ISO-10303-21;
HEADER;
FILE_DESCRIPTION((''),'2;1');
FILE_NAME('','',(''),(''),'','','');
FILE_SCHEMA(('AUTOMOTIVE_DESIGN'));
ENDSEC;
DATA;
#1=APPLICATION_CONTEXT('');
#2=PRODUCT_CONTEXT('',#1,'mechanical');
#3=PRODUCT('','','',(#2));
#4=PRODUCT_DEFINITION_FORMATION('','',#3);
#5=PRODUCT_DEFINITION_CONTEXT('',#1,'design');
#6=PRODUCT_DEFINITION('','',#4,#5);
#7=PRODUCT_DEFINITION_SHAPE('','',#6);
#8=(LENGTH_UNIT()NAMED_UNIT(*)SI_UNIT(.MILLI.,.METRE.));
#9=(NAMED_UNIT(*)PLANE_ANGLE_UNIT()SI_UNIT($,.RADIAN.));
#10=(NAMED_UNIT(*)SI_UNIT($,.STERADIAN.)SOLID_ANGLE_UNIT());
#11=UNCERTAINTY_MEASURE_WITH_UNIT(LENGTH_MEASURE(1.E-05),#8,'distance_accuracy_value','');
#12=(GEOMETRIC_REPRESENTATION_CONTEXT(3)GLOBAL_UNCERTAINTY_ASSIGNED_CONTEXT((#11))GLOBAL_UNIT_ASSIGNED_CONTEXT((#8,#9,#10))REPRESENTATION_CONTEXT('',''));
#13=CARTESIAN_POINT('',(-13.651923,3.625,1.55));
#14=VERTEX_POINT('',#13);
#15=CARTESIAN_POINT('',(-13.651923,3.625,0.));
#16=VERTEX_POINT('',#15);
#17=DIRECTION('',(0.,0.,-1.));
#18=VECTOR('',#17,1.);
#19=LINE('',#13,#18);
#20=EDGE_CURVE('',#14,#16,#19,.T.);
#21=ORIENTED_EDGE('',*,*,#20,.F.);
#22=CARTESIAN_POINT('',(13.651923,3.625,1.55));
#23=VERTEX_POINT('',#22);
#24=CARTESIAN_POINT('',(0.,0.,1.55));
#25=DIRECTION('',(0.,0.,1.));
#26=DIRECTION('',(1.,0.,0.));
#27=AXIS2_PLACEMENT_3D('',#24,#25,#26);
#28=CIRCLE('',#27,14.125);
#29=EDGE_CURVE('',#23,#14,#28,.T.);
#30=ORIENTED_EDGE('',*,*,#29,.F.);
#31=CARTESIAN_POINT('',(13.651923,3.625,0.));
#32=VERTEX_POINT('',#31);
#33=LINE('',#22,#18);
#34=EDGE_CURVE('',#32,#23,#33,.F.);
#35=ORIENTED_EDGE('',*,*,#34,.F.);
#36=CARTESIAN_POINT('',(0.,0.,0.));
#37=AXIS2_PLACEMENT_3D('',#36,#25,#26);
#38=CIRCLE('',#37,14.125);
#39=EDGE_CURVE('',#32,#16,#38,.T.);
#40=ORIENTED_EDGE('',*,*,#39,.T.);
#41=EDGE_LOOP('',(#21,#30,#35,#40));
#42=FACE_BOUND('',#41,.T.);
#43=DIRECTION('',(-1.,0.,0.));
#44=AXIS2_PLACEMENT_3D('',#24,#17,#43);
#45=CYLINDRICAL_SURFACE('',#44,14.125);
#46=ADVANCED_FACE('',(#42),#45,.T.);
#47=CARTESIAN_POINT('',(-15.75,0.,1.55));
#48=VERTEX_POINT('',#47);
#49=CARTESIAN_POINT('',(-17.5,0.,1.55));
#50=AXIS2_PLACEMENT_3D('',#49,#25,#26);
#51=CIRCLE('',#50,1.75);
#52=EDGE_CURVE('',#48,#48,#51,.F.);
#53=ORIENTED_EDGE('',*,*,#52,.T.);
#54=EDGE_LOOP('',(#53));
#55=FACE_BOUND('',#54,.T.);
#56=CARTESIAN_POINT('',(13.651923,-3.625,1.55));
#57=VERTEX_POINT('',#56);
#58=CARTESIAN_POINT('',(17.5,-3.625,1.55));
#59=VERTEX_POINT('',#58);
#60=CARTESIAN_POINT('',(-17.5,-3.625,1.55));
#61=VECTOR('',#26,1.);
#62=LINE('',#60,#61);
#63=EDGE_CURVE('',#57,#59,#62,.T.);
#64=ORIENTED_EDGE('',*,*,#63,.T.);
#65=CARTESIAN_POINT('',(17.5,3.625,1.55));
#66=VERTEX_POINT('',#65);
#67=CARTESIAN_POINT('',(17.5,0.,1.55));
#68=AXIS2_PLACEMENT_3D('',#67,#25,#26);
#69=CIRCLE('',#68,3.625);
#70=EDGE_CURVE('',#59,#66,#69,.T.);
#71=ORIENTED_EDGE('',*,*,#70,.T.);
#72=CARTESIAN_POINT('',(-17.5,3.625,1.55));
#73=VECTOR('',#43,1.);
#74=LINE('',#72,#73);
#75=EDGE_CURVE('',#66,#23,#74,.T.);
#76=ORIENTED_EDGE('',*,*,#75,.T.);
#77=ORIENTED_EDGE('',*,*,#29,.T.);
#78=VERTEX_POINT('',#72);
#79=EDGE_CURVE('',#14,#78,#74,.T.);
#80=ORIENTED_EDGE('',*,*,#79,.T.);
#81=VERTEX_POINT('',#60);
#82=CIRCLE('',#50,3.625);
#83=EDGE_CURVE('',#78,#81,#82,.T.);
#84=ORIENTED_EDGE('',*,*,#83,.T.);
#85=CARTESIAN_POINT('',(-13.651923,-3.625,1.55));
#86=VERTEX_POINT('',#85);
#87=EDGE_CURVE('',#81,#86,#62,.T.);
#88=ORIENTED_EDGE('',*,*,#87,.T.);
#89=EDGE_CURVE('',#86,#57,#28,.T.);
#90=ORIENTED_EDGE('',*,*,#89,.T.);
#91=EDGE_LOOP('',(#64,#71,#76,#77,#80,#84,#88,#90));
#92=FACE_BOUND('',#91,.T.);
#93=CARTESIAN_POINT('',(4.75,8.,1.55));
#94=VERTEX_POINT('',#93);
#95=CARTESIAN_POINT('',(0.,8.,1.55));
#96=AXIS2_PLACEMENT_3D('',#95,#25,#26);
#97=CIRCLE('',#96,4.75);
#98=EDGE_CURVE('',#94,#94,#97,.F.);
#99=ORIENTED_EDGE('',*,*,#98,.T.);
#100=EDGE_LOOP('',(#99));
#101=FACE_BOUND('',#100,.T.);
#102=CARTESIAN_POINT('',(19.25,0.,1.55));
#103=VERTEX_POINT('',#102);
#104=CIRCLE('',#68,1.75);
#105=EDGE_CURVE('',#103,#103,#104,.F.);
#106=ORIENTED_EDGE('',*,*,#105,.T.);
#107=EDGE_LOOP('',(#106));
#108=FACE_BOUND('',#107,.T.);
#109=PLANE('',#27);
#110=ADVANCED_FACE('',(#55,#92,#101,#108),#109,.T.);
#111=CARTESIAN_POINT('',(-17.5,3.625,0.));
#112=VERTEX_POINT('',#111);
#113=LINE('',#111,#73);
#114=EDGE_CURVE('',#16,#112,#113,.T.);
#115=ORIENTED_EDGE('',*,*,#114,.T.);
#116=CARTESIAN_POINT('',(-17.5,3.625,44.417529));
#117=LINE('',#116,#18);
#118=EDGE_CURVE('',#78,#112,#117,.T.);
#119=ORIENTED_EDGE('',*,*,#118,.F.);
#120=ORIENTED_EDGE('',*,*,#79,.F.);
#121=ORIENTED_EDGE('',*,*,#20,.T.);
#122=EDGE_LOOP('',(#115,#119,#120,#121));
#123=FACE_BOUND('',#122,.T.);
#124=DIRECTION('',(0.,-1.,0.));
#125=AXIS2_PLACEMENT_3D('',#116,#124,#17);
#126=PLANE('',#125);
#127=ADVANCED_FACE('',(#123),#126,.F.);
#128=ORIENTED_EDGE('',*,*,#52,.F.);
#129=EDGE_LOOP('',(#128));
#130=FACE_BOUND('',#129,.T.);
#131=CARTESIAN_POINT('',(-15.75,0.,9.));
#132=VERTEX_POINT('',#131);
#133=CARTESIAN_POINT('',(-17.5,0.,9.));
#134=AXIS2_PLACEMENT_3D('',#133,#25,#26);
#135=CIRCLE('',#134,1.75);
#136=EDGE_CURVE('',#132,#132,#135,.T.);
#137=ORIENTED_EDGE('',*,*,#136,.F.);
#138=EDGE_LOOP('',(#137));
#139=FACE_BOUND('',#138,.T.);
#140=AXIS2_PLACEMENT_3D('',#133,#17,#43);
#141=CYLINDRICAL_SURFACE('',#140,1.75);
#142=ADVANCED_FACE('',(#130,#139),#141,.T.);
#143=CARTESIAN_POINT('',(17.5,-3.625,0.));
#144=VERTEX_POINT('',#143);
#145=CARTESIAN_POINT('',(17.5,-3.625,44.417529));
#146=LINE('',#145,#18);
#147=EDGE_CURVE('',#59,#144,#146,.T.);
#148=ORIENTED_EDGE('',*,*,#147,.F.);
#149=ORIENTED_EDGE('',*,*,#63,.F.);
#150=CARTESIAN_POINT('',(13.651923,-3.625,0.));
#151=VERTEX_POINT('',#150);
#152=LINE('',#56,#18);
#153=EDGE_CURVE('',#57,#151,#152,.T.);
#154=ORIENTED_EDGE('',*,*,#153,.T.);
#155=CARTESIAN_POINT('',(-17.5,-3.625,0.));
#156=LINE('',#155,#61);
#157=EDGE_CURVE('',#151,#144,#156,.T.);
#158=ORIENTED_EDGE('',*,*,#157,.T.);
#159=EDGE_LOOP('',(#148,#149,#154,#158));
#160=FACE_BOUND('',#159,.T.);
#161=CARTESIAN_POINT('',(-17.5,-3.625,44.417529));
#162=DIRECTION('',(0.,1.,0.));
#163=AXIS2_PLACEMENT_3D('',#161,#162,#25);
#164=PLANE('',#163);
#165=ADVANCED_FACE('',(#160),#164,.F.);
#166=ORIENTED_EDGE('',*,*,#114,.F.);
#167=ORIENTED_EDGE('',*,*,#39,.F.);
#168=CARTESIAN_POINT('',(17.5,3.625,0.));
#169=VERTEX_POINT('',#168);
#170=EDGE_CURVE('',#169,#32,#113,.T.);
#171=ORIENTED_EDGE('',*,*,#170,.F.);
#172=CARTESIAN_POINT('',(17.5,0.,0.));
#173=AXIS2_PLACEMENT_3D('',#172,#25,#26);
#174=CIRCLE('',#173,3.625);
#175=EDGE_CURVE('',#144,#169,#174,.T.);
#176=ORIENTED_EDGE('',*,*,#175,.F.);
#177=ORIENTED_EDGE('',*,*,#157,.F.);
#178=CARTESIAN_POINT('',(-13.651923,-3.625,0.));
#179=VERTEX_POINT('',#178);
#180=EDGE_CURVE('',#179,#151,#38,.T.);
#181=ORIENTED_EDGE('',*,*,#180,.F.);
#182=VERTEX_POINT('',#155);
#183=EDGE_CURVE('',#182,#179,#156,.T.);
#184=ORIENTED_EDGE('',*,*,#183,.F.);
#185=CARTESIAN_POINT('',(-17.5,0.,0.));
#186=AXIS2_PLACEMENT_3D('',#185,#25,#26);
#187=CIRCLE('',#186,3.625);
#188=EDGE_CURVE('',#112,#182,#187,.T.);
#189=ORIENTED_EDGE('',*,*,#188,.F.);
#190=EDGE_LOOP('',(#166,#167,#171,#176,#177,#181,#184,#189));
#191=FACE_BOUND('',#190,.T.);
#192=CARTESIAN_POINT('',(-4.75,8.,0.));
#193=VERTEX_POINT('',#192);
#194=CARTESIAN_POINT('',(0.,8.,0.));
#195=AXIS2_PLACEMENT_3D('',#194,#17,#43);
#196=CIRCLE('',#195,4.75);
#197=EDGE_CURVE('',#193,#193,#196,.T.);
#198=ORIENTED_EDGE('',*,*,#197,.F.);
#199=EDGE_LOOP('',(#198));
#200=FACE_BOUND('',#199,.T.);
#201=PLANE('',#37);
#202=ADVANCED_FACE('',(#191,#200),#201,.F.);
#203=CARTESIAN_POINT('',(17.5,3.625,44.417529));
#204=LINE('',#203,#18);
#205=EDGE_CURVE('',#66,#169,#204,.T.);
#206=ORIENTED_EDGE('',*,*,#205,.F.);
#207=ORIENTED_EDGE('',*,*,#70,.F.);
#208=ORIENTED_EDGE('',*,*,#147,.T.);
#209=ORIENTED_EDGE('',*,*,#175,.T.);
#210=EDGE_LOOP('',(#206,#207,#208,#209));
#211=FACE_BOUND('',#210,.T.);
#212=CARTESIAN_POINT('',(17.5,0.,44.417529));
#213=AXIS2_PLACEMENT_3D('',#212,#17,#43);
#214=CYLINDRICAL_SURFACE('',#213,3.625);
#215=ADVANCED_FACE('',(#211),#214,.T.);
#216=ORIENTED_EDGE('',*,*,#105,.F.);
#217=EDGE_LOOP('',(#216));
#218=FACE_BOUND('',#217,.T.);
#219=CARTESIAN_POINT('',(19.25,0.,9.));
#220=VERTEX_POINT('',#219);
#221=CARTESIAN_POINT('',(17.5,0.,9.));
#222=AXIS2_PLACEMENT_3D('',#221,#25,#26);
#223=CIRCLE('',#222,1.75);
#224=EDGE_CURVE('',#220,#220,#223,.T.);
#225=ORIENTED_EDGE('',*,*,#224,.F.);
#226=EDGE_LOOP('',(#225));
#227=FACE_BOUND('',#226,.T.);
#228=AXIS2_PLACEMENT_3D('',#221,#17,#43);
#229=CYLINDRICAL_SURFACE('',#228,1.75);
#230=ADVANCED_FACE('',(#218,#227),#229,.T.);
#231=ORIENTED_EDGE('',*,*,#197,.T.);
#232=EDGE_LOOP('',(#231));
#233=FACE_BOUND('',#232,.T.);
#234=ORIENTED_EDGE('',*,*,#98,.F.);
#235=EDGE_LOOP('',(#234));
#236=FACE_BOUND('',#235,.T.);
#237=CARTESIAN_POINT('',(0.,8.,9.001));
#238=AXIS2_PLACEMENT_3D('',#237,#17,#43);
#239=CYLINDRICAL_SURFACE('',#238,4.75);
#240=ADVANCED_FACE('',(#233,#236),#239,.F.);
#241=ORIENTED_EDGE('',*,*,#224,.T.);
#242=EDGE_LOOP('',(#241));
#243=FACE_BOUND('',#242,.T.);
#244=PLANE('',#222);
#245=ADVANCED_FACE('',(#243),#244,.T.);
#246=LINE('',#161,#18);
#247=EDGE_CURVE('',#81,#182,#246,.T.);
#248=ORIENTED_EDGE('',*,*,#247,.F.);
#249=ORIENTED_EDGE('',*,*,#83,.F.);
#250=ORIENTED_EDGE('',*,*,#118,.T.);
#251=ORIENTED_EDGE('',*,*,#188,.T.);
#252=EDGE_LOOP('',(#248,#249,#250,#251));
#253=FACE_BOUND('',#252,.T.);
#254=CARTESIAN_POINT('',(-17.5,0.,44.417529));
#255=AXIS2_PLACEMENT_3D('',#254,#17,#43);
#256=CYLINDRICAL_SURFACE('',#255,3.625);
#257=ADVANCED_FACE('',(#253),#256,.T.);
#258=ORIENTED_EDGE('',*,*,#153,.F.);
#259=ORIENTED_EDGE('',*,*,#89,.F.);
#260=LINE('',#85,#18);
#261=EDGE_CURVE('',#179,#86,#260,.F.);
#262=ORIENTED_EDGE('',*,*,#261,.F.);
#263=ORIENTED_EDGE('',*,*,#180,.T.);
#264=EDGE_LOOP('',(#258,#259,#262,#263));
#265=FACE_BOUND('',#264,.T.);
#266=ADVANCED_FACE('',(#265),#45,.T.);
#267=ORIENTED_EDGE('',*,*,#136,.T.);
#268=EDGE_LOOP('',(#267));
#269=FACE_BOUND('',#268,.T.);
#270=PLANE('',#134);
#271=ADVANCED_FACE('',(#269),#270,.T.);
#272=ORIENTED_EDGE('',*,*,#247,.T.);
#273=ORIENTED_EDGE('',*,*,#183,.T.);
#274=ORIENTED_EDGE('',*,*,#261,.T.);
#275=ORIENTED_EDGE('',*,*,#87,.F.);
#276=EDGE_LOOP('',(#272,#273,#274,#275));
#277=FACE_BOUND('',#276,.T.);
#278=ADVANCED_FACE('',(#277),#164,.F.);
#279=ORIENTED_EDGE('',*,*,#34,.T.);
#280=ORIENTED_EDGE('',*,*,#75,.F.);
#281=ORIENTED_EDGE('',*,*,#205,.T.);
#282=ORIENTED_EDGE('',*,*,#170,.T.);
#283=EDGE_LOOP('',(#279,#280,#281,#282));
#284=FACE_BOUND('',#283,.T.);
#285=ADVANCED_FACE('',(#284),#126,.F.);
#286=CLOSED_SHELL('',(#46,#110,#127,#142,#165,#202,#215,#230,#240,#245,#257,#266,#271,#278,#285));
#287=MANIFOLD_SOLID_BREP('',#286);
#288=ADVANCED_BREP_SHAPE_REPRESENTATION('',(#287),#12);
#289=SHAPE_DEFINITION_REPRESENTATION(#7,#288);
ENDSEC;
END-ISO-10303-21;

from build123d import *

# Parameters (mm, degrees)
SKETCH1_R           = 14.125
BOSS_EXTRUDE1_DEPTH = 1.55
BOSS_EXTRUDE2_DEPTH = 1.55
SKETCH4_R           = 1.75
BOSS_EXTRUDE3_DEPTH = 9
CUT_EXTRUDE1_REACH  = 28.959
SKETCH5_R           = 4.75


with BuildPart() as part:
    # Sketch1 → Boss-Extrude1 (new body)
    with BuildSketch(Plane.XY):
        with Locations(Location((0, 0, 0), (0, 0, 180))):
            Circle(SKETCH1_R)
    extrude(amount=BOSS_EXTRUDE1_DEPTH)

    # Sketch2 → Boss-Extrude2 (add)
    with BuildSketch(Plane.XY):
        with BuildLine():
            Line((-17.5, 3.625), (17.5, 3.625))
            ThreePointArc((17.5, 3.625), (21.125, 0), (17.5, -3.625))
            Line((17.5, -3.625), (-17.5, -3.625))
            ThreePointArc((-17.5, -3.625), (-21.125, 0), (-17.5, 3.625))
        make_face()
    extrude(amount=BOSS_EXTRUDE2_DEPTH)

    # Sketch4 → Boss-Extrude3 (add)
    with BuildSketch(Plane.XY):
        with Locations((-17.5, 0)):
            Circle(SKETCH4_R)
        with Locations((17.5, 0)):
            Circle(SKETCH4_R)
    extrude(amount=BOSS_EXTRUDE3_DEPTH)

    # Sketch5 → Cut-Extrude1 (cut, up to next)
    with BuildSketch(Plane(origin=(0, 0, 0), x_dir=(-1, 0, 0), z_dir=(0, 0, -1)), mode=Mode.PRIVATE) as cut_extrude1_sk1:
        with Locations((0, 8)):
            Circle(SKETCH5_R)
    cut_extrude1_tool1 = extrude(cut_extrude1_sk1.sketch, amount=-CUT_EXTRUDE1_REACH, mode=Mode.PRIVATE) & part.part
    add(cut_extrude1_tool1.solids().sort_by_distance((0, 8, 0))[0], mode=Mode.SUBTRACT)


solid = part.part
